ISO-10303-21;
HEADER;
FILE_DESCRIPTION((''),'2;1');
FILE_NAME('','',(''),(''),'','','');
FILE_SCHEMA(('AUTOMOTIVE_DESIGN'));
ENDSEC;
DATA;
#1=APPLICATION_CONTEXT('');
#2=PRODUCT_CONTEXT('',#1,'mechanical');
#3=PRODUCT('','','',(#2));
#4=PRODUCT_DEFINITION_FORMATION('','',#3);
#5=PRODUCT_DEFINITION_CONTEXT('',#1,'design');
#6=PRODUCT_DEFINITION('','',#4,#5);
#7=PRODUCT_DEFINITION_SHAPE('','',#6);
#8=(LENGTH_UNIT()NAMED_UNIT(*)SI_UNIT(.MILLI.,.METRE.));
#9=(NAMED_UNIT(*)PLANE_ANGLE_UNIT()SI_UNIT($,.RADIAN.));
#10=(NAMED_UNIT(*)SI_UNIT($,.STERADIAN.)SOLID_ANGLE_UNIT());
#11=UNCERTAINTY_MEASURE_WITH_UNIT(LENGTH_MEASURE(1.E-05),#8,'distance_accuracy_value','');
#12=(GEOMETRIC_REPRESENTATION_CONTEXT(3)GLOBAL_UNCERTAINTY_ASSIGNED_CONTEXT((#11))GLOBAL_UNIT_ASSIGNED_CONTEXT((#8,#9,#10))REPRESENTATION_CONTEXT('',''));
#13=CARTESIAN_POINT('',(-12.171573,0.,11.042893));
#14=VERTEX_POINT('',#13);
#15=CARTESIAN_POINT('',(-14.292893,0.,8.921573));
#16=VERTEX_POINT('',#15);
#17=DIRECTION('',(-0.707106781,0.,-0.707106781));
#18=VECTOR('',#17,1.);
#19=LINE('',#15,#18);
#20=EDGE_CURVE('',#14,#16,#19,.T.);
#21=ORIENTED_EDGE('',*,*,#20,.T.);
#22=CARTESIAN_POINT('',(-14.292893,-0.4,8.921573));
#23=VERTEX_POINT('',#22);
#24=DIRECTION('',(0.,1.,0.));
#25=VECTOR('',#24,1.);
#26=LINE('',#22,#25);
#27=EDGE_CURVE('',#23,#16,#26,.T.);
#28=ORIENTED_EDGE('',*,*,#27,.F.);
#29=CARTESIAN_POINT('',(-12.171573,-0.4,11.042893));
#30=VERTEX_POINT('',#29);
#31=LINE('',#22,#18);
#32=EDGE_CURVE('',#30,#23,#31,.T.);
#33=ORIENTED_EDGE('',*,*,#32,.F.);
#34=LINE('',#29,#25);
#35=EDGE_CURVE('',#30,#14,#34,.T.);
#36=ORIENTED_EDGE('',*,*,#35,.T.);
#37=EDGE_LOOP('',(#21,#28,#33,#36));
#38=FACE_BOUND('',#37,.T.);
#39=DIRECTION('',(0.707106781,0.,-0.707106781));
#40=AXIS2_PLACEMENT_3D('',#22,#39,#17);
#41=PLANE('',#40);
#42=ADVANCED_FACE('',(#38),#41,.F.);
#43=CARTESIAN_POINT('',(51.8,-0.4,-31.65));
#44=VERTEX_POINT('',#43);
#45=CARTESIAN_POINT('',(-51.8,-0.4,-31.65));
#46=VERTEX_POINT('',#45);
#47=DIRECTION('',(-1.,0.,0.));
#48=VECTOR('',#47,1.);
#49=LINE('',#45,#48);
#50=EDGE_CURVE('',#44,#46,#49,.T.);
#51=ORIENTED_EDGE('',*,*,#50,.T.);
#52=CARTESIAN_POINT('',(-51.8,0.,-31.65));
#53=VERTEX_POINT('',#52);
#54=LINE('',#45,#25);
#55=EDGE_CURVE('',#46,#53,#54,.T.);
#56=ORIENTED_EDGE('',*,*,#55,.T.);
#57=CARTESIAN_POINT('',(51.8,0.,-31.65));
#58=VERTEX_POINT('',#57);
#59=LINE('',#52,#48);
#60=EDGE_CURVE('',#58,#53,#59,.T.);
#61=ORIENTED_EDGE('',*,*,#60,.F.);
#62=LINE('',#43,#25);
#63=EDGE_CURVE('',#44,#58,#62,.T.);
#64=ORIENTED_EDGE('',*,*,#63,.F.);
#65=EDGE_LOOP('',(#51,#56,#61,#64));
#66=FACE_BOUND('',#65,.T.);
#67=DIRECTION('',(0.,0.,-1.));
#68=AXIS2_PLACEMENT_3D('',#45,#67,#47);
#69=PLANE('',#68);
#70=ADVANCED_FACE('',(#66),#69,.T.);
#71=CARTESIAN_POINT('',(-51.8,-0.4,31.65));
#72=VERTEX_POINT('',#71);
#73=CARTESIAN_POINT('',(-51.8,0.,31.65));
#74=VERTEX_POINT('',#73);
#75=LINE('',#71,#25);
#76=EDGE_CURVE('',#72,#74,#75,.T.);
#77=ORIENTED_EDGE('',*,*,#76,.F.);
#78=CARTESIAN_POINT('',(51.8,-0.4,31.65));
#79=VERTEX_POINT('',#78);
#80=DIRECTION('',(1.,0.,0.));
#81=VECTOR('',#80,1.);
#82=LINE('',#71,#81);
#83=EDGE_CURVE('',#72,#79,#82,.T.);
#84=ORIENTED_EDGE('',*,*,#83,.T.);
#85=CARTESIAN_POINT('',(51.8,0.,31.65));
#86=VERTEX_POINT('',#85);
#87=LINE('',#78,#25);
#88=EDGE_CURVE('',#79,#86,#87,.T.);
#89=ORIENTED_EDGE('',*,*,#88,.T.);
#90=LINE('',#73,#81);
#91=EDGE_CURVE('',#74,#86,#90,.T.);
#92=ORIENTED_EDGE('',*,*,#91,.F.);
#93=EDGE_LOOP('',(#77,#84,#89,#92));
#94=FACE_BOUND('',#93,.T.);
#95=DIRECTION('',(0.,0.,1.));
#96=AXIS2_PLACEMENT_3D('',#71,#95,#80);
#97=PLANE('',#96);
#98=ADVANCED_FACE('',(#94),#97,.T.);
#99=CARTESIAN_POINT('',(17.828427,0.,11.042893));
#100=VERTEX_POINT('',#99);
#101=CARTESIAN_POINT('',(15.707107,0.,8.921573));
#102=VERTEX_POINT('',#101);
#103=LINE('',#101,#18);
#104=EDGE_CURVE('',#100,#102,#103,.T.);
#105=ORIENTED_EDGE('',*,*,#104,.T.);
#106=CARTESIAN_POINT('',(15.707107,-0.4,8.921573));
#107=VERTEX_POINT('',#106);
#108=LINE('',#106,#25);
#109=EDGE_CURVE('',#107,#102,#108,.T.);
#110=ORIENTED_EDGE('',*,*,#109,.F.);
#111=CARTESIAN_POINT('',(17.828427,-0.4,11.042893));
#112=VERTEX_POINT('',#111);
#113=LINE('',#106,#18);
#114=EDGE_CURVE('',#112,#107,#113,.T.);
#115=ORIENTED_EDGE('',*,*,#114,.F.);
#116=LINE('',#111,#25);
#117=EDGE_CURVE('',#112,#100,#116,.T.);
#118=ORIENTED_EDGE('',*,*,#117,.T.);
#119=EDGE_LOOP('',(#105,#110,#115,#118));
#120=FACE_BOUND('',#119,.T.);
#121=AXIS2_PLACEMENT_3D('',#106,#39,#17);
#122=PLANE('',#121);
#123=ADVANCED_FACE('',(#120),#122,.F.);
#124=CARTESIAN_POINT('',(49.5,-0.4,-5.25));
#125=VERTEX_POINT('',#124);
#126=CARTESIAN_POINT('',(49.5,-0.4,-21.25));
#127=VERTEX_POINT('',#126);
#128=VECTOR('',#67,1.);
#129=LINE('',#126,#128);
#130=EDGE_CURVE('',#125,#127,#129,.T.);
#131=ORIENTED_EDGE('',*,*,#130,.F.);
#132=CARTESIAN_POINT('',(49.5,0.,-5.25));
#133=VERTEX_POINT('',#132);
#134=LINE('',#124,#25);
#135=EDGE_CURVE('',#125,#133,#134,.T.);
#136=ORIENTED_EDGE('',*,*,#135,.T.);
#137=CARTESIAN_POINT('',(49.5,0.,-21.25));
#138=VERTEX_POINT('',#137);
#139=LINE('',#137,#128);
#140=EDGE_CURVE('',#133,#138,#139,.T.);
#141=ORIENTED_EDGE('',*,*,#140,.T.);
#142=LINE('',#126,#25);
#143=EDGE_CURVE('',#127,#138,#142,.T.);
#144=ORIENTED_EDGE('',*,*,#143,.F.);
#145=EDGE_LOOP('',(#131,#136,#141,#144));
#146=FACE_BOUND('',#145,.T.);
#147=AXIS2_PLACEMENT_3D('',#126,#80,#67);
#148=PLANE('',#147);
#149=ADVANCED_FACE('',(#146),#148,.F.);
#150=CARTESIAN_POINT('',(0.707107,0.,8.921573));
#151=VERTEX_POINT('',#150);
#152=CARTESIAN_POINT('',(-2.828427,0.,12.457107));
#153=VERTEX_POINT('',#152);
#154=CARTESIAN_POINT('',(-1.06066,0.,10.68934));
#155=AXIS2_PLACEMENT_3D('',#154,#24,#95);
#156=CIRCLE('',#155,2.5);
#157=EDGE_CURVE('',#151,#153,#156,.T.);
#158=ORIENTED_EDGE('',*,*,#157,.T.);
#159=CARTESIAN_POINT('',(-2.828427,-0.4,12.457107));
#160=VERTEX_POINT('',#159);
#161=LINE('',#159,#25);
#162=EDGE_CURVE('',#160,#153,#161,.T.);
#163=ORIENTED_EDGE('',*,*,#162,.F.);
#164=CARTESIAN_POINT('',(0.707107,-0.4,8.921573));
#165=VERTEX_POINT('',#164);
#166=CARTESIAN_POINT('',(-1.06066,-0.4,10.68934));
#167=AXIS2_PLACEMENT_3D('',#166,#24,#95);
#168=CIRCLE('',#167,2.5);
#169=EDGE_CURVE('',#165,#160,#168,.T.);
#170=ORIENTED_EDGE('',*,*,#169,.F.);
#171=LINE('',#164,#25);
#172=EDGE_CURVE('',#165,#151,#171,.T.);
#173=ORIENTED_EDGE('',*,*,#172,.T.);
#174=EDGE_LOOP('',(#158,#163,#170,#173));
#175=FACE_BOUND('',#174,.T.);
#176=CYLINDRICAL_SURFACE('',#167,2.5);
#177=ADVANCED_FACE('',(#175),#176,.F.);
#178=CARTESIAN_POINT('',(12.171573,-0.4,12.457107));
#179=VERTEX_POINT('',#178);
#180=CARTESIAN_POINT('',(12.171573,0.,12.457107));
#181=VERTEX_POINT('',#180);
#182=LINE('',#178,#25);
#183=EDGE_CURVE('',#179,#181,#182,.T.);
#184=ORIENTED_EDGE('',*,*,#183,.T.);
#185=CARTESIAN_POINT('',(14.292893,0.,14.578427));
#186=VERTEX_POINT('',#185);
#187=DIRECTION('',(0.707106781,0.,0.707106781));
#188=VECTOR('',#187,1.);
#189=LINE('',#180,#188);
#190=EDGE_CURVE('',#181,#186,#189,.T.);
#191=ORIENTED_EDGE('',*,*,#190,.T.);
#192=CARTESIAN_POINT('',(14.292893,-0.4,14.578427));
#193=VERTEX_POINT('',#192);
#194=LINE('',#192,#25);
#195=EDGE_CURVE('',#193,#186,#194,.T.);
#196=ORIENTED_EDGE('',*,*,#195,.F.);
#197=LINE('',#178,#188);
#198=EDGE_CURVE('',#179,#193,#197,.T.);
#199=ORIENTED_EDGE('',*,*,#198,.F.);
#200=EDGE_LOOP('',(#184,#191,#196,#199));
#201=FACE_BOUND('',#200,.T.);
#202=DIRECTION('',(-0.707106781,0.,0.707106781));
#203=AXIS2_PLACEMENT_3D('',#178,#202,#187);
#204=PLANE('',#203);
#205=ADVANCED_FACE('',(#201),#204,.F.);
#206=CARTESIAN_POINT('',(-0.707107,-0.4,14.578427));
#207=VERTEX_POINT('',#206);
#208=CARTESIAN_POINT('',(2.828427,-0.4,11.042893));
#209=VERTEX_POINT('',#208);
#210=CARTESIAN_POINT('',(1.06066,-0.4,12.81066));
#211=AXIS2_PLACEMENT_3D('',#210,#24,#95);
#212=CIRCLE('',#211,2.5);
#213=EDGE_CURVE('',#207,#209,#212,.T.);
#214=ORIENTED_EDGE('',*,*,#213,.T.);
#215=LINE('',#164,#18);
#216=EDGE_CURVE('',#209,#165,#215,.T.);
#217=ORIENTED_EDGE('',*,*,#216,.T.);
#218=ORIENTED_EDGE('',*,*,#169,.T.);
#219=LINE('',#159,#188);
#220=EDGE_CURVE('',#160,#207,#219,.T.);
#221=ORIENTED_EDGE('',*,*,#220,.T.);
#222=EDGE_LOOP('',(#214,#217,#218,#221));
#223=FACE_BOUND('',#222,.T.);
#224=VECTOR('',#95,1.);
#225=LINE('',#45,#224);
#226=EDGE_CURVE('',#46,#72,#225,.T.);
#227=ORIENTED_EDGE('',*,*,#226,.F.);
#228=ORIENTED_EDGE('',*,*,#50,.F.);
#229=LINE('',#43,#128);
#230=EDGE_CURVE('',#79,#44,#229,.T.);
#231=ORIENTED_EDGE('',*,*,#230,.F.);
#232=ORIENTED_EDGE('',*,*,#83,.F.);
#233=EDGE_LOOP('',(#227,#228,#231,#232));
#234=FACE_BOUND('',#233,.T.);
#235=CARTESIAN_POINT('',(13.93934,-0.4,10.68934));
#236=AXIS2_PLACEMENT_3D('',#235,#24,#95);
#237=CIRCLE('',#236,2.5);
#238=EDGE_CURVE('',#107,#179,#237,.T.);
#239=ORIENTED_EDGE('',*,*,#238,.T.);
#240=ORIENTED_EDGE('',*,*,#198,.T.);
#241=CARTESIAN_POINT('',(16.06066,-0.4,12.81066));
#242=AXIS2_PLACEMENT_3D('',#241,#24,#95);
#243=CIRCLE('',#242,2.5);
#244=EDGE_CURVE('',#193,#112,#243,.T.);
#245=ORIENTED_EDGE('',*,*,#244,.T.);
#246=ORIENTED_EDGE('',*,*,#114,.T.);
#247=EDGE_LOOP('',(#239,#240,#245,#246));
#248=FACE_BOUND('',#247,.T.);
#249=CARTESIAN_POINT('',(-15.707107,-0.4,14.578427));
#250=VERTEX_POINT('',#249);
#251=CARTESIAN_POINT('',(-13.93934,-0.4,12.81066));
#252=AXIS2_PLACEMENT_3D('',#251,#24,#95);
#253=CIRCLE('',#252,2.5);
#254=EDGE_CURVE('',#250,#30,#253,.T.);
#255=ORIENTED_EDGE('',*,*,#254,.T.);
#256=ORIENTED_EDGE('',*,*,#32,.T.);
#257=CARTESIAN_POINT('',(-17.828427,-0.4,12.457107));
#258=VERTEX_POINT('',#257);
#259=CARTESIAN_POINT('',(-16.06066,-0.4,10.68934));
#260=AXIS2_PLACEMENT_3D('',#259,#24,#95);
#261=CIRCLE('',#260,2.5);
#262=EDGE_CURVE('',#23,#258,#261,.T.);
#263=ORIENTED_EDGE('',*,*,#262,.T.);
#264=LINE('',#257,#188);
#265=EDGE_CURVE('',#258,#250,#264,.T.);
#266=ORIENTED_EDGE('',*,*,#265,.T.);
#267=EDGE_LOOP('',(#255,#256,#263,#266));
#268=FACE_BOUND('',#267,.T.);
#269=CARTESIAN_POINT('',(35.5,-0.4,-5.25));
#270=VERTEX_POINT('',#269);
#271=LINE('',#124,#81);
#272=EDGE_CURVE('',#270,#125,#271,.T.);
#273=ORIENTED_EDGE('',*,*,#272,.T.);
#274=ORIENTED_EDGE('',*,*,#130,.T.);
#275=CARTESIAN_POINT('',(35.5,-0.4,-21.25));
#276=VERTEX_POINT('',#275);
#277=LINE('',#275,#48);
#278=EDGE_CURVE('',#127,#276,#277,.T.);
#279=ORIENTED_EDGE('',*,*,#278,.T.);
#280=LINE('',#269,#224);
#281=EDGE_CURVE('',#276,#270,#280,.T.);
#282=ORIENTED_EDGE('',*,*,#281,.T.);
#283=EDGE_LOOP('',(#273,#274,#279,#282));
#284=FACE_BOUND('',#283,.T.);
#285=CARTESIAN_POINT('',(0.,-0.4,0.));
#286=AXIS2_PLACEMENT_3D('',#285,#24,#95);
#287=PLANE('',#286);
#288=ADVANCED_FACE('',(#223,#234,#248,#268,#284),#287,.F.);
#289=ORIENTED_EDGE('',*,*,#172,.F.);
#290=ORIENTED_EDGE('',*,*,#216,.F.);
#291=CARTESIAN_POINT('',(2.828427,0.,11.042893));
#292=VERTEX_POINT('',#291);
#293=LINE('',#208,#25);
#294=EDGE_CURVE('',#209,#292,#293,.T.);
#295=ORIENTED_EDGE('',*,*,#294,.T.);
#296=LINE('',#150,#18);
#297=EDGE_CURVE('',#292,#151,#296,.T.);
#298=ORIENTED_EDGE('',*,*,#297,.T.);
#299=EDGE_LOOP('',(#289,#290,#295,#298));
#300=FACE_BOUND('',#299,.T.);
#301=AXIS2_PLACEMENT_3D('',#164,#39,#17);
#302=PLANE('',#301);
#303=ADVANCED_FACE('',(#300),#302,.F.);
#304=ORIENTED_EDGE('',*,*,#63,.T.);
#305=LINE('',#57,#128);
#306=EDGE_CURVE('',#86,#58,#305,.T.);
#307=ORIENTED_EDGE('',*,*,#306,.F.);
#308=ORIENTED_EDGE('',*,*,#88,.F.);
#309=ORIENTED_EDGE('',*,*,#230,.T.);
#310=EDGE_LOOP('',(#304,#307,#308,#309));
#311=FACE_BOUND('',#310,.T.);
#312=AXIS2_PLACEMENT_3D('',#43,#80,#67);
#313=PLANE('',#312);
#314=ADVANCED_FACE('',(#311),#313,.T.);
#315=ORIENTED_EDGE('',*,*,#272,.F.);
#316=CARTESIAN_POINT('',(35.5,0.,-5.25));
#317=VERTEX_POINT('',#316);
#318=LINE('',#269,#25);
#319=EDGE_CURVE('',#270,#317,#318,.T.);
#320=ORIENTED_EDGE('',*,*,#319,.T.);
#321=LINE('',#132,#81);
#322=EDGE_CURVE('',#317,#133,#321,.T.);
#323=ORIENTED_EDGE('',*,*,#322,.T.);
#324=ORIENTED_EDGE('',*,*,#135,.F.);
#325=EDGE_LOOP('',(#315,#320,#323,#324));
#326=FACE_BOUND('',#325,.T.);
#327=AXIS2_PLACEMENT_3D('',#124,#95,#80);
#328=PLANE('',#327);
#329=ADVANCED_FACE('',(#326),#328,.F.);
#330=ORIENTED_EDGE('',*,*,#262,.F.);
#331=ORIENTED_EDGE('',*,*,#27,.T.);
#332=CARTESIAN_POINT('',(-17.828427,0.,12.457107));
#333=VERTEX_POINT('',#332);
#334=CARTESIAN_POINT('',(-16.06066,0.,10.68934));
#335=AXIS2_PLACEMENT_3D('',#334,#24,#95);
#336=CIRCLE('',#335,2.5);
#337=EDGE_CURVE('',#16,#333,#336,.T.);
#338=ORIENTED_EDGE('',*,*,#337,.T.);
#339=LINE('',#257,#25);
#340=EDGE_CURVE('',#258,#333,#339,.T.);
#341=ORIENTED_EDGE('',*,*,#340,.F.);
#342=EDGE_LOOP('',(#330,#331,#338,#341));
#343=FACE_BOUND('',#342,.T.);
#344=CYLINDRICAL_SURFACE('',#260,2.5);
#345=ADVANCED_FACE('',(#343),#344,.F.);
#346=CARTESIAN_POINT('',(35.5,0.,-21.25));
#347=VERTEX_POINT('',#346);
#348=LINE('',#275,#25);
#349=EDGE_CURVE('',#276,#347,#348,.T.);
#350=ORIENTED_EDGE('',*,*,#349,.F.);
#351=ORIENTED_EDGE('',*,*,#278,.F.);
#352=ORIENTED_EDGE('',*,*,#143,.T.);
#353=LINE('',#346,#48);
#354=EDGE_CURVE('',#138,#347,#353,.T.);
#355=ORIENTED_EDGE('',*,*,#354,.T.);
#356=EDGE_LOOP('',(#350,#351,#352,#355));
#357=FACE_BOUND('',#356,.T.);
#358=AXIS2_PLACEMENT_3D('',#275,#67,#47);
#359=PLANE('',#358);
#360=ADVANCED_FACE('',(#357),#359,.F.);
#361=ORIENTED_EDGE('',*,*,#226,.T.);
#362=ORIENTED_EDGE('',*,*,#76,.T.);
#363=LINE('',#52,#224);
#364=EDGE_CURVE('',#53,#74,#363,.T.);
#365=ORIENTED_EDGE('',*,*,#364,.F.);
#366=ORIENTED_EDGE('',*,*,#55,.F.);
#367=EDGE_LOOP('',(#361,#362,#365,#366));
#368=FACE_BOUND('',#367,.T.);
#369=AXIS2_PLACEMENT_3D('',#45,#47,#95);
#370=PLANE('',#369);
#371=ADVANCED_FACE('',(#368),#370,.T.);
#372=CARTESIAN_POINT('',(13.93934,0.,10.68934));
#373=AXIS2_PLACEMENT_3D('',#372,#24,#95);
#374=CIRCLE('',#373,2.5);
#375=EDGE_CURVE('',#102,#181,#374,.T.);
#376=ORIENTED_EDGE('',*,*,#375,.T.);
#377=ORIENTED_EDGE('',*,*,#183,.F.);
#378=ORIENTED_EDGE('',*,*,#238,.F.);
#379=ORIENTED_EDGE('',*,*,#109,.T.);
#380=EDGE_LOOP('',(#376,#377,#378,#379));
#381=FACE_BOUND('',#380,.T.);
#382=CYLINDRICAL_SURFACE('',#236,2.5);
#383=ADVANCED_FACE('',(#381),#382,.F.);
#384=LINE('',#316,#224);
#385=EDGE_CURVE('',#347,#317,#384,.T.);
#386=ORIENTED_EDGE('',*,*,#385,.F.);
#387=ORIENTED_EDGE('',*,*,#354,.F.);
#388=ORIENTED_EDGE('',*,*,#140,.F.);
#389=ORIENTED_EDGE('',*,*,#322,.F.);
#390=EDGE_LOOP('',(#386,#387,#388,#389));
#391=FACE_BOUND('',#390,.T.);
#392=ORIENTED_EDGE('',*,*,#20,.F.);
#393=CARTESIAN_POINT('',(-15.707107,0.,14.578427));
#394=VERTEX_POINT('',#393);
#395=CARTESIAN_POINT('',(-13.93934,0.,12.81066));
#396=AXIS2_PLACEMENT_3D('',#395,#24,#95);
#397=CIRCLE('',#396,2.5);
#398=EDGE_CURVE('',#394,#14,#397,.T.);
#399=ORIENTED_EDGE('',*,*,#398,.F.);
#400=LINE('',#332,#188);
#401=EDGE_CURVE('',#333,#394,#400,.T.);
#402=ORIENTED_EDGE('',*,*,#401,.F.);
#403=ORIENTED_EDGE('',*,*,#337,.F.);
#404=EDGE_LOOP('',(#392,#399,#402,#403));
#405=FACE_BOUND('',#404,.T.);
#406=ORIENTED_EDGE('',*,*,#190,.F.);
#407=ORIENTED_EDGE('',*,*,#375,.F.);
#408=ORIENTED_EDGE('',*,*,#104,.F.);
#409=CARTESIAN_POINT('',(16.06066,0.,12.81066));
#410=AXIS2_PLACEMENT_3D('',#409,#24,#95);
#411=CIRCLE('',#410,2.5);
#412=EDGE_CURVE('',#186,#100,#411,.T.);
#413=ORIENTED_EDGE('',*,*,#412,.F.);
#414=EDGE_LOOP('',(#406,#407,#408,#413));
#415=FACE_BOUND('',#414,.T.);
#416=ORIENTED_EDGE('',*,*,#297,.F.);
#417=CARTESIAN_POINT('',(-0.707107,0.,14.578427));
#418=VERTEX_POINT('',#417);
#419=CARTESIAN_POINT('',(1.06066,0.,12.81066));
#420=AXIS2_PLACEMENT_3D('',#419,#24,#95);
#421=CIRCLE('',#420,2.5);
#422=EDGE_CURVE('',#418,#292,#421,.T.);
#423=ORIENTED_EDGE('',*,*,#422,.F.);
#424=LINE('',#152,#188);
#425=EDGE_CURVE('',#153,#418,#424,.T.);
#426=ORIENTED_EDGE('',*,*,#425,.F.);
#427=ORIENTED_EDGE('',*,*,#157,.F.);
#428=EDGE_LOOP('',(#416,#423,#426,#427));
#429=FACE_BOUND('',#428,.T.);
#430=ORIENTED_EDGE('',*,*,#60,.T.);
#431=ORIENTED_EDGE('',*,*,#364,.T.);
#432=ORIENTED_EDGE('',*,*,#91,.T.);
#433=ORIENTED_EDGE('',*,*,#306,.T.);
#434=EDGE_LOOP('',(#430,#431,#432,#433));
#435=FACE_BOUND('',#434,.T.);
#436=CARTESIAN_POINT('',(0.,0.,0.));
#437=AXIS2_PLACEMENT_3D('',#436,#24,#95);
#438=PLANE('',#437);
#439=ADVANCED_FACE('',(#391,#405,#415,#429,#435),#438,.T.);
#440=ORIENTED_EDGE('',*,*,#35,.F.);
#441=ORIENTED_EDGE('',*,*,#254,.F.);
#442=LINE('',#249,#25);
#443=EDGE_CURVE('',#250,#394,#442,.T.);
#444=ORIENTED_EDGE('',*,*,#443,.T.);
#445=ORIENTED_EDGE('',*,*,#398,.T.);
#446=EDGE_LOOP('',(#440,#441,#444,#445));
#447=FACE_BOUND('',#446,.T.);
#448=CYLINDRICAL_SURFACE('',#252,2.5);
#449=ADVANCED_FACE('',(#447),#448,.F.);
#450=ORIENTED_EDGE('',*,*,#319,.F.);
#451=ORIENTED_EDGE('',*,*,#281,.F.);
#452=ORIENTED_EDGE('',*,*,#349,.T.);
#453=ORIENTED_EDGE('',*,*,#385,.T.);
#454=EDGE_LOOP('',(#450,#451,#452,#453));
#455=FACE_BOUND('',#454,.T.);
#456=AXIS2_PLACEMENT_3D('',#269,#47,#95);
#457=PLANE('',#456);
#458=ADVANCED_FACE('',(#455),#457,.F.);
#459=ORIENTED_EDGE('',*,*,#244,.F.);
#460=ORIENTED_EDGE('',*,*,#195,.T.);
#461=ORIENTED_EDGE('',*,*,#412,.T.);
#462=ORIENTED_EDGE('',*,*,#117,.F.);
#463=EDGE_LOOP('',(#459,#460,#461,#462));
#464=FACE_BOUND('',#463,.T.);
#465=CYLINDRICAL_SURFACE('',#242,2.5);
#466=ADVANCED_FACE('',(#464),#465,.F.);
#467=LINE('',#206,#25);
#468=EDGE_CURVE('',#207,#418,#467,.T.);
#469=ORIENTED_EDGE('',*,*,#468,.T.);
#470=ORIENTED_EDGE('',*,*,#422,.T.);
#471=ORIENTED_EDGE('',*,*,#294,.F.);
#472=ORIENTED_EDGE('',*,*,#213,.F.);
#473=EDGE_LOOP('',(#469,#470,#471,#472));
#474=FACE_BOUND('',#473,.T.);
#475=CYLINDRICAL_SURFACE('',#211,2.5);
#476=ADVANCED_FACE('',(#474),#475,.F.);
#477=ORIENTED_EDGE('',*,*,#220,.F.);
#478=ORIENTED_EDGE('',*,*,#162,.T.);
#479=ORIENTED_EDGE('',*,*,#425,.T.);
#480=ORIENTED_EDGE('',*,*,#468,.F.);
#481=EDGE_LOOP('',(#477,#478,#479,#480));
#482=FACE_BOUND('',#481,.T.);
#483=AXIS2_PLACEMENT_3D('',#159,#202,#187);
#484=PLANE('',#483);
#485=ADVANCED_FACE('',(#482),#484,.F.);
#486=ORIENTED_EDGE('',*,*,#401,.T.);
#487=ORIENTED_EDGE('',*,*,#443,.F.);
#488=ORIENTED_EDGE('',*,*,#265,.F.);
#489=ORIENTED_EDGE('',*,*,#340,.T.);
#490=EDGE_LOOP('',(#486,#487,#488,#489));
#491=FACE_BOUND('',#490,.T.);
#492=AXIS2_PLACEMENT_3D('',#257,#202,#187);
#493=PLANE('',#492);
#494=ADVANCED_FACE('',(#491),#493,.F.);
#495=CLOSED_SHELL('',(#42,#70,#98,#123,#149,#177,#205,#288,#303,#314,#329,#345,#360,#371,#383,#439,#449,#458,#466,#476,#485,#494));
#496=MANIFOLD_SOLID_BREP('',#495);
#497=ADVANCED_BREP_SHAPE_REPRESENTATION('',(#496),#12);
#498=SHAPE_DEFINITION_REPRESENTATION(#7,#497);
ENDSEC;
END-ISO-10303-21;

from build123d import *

# Parameters (mm, degrees)
SKETCH1_W           = 103.6
SKETCH1_H           = 63.3
BOSS_EXTRUDE1_DEPTH = 0.4
SKETCH2_W           = 14
SKETCH2_H           = 16
CUT_EXTRUDE1_DEPTH  = 61.705209826
CUT_EXTRUDE2_DEPTH  = 61.705209826
LPATTERN1_COUNT     = 2
LPATTERN1_PITCH     = 15
LPATTERN1_COL_COUNT = 2
LPATTERN1_COL_PITCH = 15


with BuildPart() as part:
    # Sketch1 → Boss-Extrude1 (new body)
    with BuildSketch(Plane(origin=(0, 0, 0), x_dir=(1, 0, 0), z_dir=(0, 1, 0))):
        Rectangle(SKETCH1_W, SKETCH1_H)
    extrude(amount=-BOSS_EXTRUDE1_DEPTH)

    # Sketch2 → Cut-Extrude1 (cut, through all)
    with BuildSketch(Plane(origin=(0, 0, 0), x_dir=(1, 0, 0), z_dir=(0, 1, 0))):
        with Locations((42.5, 13.25)):
            Rectangle(SKETCH2_W, SKETCH2_H)
    extrude(amount=-CUT_EXTRUDE1_DEPTH, mode=Mode.SUBTRACT)

    # Sketch3 → Cut-Extrude2 (cut, through all)
    with BuildSketch(Plane(origin=(0, 0, 0), x_dir=(1, 0, 0), z_dir=(0, 1, 0))):
        with BuildLine():
            Line((0.707106781, -8.921572875), (2.828427125, -11.042893219))
            ThreePointArc((2.828427125, -11.042893219), (2.828427125, -14.578427125), (-0.707106781, -14.578427125))
            Line((-0.707106781, -14.578427125), (-2.828427125, -12.457106781))
            ThreePointArc((-2.828427125, -12.457106781), (-2.828427125, -8.921572875), (0.707106781, -8.921572875))
        make_face()
    cut_extrude2 = extrude(amount=-CUT_EXTRUDE2_DEPTH, mode=Mode.SUBTRACT)

    # LPattern1: Cut-Extrude2 ×2
    with Locations(*[(i * LPATTERN1_PITCH, 0, 0) for i in range(1, LPATTERN1_COUNT)]):
        add(cut_extrude2, mode=Mode.SUBTRACT)

    # LPattern1 col: Cut-Extrude2 ×2
    with Locations(*[(-i * LPATTERN1_COL_PITCH, 0, 0) for i in range(1, LPATTERN1_COL_COUNT)]):
        add(cut_extrude2, mode=Mode.SUBTRACT)


solid = part.part
